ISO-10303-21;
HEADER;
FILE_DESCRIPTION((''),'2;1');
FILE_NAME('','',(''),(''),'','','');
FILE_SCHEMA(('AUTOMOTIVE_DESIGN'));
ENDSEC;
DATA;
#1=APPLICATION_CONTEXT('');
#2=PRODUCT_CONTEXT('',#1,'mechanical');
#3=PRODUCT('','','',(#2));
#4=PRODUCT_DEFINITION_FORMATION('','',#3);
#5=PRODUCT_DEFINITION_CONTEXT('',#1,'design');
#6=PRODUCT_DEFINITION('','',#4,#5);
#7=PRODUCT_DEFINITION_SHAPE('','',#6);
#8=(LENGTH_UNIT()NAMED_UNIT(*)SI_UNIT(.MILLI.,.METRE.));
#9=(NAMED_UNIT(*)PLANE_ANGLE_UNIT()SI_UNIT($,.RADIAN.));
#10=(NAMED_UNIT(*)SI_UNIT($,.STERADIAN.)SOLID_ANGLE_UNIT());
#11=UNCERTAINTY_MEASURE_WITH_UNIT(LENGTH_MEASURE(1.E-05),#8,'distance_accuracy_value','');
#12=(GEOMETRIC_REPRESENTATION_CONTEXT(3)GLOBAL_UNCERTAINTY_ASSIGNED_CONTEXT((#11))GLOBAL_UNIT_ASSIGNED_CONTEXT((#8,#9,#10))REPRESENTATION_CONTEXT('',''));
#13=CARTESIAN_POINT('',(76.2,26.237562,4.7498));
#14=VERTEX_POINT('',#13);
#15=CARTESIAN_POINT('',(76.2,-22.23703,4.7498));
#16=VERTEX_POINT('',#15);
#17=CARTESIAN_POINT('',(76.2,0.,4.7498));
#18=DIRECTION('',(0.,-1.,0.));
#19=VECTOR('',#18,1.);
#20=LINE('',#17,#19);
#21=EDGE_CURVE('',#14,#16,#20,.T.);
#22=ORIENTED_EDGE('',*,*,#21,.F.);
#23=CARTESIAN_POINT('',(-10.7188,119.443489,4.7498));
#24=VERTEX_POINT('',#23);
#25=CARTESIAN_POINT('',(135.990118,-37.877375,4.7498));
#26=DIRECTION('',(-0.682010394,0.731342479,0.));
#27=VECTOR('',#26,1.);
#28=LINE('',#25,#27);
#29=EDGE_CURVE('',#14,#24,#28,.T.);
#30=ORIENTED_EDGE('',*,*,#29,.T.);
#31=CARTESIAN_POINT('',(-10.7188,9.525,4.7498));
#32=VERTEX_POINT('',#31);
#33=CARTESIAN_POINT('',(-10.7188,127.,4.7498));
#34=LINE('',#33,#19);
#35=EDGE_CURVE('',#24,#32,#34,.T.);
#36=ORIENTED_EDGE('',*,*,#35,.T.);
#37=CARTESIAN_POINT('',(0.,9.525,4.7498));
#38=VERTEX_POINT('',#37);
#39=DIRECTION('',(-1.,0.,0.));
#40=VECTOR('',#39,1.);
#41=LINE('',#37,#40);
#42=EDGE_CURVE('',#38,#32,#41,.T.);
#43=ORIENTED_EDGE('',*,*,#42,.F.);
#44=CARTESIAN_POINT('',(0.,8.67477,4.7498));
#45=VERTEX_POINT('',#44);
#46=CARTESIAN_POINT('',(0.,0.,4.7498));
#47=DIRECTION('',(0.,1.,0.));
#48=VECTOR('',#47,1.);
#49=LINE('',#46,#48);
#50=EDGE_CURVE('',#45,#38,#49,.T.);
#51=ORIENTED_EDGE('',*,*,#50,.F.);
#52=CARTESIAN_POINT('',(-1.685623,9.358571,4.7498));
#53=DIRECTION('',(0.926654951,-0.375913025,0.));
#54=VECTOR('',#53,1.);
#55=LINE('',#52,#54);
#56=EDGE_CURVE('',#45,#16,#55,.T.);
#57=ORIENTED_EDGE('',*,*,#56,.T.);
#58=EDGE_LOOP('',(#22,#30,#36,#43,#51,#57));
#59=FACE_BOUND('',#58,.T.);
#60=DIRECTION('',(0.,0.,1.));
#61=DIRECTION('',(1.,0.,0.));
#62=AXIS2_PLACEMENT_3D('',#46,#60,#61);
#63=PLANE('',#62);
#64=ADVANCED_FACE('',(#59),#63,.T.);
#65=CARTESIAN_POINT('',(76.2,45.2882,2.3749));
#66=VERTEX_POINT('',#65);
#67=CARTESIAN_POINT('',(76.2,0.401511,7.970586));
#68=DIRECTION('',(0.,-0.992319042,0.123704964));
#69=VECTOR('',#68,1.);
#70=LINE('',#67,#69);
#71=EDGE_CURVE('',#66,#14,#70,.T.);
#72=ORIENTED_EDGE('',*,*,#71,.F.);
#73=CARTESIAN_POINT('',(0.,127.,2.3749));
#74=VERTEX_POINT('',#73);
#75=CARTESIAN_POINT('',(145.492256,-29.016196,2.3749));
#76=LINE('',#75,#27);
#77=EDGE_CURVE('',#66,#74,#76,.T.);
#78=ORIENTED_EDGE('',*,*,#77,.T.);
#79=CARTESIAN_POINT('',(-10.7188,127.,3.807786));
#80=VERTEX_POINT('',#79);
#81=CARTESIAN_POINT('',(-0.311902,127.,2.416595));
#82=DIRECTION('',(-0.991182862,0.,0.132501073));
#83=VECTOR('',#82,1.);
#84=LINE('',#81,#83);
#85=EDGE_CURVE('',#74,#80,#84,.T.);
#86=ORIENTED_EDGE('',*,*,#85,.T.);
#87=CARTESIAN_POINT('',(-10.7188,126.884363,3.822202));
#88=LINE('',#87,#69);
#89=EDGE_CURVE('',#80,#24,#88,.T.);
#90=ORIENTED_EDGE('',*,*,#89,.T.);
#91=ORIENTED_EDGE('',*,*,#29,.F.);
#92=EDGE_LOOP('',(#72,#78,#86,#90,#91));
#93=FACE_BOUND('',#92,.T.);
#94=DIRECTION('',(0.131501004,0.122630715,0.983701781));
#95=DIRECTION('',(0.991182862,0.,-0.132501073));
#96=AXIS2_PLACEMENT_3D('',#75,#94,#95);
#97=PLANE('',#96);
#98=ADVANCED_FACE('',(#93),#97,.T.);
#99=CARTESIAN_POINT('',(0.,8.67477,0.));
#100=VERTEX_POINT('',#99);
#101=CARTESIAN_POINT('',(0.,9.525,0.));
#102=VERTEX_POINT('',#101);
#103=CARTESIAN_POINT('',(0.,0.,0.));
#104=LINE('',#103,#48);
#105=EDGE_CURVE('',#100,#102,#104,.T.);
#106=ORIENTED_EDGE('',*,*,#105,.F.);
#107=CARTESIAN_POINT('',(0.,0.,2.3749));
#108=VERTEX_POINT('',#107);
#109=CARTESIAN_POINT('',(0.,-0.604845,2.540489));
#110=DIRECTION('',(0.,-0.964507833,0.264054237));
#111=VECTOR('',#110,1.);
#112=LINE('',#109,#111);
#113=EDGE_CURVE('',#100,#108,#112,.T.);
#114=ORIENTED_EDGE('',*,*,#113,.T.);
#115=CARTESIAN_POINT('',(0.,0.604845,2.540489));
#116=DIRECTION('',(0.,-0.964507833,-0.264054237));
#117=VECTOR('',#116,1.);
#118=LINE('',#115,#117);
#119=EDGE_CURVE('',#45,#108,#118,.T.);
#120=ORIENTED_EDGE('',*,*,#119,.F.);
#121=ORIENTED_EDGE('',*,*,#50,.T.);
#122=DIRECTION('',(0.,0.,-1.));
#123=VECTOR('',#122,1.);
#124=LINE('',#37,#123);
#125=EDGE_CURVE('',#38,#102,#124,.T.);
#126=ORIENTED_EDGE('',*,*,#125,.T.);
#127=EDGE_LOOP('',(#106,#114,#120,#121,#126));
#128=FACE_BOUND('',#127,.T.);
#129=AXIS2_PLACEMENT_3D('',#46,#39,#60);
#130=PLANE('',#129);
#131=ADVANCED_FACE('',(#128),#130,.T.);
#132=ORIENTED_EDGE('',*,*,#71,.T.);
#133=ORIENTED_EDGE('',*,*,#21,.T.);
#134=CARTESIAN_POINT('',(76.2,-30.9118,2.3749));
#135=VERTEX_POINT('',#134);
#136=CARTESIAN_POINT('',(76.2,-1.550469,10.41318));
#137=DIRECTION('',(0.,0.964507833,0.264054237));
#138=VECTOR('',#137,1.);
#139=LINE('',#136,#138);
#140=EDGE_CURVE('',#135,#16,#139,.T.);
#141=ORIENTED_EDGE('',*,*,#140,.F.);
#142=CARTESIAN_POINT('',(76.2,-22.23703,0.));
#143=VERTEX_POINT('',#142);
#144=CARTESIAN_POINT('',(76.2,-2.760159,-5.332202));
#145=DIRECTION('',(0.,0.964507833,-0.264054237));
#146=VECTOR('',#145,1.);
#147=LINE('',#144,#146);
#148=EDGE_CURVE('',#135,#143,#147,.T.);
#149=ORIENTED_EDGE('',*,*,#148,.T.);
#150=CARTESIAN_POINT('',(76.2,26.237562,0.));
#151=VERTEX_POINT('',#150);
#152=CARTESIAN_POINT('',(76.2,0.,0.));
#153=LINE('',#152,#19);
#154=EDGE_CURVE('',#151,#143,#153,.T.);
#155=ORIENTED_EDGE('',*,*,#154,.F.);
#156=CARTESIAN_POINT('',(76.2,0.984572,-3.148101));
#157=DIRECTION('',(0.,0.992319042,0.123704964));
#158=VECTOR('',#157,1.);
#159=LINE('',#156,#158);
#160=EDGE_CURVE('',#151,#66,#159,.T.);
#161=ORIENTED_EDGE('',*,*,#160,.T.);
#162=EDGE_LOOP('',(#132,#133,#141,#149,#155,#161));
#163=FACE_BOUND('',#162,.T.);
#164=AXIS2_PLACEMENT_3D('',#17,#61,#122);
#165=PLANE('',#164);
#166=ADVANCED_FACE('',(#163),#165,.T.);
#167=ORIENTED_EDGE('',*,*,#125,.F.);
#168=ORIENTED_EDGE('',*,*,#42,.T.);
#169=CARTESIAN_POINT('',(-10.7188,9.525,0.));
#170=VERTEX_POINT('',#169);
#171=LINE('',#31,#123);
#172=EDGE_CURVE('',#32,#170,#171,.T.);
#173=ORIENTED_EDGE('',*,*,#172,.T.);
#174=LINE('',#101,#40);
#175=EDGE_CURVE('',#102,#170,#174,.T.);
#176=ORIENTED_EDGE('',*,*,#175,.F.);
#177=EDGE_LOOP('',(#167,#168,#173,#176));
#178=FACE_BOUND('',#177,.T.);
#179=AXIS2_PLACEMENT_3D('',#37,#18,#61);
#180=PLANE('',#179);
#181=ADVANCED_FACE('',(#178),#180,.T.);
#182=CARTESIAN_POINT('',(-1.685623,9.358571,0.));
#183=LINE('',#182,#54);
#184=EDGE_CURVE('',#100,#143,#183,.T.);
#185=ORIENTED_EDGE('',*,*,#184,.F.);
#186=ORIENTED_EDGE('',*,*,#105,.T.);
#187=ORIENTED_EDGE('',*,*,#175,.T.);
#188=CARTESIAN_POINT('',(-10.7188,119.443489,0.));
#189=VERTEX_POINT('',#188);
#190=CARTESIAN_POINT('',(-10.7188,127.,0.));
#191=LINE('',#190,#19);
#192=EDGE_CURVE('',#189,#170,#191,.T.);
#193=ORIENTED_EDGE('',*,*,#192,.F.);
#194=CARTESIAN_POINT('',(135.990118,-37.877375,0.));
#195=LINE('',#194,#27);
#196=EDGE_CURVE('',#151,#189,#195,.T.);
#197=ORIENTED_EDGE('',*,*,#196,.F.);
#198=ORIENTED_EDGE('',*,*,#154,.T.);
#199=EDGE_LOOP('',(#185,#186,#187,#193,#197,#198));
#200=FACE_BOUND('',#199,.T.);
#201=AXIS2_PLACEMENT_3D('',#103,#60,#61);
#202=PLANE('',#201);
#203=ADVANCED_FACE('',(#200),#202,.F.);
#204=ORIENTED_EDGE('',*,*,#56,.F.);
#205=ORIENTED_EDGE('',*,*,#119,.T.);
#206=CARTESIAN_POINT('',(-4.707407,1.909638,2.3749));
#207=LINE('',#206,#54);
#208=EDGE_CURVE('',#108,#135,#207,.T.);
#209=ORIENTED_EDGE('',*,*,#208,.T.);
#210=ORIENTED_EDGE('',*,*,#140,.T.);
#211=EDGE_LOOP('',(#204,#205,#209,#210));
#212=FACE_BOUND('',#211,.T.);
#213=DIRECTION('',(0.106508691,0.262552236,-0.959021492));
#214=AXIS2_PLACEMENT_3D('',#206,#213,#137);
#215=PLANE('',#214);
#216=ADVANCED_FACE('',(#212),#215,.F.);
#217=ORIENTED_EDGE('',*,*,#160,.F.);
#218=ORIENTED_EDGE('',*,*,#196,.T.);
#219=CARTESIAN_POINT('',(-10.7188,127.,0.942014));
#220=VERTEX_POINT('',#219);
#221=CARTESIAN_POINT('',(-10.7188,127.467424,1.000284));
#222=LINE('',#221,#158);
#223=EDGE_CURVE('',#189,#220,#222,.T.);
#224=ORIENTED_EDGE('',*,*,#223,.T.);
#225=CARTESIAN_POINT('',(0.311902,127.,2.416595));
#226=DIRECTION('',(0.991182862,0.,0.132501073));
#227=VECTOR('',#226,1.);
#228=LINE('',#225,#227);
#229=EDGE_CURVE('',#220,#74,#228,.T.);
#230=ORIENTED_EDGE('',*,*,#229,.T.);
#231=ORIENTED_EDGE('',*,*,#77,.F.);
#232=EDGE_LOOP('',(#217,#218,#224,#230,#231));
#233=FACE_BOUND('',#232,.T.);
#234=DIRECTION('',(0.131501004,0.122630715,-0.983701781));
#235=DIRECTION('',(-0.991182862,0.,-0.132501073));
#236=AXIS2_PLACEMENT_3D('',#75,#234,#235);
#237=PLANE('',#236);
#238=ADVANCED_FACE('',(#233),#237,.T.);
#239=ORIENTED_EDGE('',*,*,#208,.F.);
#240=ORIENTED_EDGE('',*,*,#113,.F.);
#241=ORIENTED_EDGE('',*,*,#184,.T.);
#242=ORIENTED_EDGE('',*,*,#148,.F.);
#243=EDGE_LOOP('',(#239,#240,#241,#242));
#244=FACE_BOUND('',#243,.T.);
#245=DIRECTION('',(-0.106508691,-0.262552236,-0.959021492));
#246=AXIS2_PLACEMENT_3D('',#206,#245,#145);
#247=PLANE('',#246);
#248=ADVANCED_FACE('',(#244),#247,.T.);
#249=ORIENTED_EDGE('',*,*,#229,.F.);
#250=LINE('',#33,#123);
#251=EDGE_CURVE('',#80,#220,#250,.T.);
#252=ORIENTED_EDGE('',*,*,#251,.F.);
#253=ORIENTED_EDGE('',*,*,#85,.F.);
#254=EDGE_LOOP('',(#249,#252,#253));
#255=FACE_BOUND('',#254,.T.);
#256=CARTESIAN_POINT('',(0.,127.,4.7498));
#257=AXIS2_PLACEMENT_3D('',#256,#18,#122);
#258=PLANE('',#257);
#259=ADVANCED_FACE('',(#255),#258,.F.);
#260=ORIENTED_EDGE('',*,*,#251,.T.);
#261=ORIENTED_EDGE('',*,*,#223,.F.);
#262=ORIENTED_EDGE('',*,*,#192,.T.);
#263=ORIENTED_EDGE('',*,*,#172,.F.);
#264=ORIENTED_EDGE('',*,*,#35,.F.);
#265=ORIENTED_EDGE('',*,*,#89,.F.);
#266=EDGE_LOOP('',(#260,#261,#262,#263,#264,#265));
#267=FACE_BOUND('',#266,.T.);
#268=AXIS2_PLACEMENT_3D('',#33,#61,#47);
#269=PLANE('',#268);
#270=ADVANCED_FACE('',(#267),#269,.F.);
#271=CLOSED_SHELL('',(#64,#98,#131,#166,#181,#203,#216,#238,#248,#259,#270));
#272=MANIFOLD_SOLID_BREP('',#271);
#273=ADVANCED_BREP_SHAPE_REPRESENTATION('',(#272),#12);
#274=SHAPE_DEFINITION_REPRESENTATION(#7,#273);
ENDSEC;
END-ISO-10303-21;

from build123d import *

# Parameters (mm, degrees)
SKETCH2_W                = 10.7188
SKETCH2_H                = 117.475
BOSS_EXTRUDE3_DEPTH      = 4.7498
CUT_EXTRUDE17_DEPTH      = 5.08
CUT_EXTRUDE17_DEPTH_BACK = 101.6
CUT_EXTRUDE18_DEPTH      = 101.6
CUT_EXTRUDE18_DEPTH_BACK = 127


with BuildPart() as part:
    # Sketch2 → Boss-Extrude3 (new body)
    with BuildSketch(Plane.XY):
        Polygon((76.2, -30.9118), (0, 0), (0, 127), (76.2, 45.2882), align=None)
        with Locations((-5.3594, 68.2625)):
            Rectangle(SKETCH2_W, SKETCH2_H)
    extrude(amount=BOSS_EXTRUDE3_DEPTH)

    # Sketch8 → Cut-Extrude17 (cut, two sides: drawn at the far end of the back side and taken through both)
    with BuildSketch(Plane(origin=(0, 0, 0), x_dir=(0, 0, -1), z_dir=(-0.9266549506898317, 0.37591302499650847, 0)).offset(-CUT_EXTRUDE17_DEPTH_BACK)):
        Polygon((-2.3749, 0), (3e-09, -8.038518146), (0.750296228, -8.038518146), (0.750296228, 2.310233708), (-5.314343575, 2.310233708), (-5.314343575, -8.038518146), (-4.749800003, -8.038518146), align=None)
    extrude(amount=CUT_EXTRUDE17_DEPTH + CUT_EXTRUDE17_DEPTH_BACK, mode=Mode.SUBTRACT)

    # Sketch9 → Cut-Extrude18 (cut, two sides: drawn at the far end of the back side and taken through both)
    with BuildSketch(Plane(origin=(12.854537069, -13.784348584, 0), x_dir=(0, 0, -1), z_dir=(0.6820103942193665, -0.731342479401234, 0)).offset(-CUT_EXTRUDE18_DEPTH_BACK)):
        Polygon((-2.3749, 86.615320066), (0, 73.622586943), (0.872559858, 73.622586943), (0.872559858, 91.301528403), (-6.531219552, 91.301528403), (-6.531219552, 73.622586943), (-4.7498, 73.622586943), align=None)
    extrude(amount=CUT_EXTRUDE18_DEPTH + CUT_EXTRUDE18_DEPTH_BACK, mode=Mode.SUBTRACT)


solid = part.part
